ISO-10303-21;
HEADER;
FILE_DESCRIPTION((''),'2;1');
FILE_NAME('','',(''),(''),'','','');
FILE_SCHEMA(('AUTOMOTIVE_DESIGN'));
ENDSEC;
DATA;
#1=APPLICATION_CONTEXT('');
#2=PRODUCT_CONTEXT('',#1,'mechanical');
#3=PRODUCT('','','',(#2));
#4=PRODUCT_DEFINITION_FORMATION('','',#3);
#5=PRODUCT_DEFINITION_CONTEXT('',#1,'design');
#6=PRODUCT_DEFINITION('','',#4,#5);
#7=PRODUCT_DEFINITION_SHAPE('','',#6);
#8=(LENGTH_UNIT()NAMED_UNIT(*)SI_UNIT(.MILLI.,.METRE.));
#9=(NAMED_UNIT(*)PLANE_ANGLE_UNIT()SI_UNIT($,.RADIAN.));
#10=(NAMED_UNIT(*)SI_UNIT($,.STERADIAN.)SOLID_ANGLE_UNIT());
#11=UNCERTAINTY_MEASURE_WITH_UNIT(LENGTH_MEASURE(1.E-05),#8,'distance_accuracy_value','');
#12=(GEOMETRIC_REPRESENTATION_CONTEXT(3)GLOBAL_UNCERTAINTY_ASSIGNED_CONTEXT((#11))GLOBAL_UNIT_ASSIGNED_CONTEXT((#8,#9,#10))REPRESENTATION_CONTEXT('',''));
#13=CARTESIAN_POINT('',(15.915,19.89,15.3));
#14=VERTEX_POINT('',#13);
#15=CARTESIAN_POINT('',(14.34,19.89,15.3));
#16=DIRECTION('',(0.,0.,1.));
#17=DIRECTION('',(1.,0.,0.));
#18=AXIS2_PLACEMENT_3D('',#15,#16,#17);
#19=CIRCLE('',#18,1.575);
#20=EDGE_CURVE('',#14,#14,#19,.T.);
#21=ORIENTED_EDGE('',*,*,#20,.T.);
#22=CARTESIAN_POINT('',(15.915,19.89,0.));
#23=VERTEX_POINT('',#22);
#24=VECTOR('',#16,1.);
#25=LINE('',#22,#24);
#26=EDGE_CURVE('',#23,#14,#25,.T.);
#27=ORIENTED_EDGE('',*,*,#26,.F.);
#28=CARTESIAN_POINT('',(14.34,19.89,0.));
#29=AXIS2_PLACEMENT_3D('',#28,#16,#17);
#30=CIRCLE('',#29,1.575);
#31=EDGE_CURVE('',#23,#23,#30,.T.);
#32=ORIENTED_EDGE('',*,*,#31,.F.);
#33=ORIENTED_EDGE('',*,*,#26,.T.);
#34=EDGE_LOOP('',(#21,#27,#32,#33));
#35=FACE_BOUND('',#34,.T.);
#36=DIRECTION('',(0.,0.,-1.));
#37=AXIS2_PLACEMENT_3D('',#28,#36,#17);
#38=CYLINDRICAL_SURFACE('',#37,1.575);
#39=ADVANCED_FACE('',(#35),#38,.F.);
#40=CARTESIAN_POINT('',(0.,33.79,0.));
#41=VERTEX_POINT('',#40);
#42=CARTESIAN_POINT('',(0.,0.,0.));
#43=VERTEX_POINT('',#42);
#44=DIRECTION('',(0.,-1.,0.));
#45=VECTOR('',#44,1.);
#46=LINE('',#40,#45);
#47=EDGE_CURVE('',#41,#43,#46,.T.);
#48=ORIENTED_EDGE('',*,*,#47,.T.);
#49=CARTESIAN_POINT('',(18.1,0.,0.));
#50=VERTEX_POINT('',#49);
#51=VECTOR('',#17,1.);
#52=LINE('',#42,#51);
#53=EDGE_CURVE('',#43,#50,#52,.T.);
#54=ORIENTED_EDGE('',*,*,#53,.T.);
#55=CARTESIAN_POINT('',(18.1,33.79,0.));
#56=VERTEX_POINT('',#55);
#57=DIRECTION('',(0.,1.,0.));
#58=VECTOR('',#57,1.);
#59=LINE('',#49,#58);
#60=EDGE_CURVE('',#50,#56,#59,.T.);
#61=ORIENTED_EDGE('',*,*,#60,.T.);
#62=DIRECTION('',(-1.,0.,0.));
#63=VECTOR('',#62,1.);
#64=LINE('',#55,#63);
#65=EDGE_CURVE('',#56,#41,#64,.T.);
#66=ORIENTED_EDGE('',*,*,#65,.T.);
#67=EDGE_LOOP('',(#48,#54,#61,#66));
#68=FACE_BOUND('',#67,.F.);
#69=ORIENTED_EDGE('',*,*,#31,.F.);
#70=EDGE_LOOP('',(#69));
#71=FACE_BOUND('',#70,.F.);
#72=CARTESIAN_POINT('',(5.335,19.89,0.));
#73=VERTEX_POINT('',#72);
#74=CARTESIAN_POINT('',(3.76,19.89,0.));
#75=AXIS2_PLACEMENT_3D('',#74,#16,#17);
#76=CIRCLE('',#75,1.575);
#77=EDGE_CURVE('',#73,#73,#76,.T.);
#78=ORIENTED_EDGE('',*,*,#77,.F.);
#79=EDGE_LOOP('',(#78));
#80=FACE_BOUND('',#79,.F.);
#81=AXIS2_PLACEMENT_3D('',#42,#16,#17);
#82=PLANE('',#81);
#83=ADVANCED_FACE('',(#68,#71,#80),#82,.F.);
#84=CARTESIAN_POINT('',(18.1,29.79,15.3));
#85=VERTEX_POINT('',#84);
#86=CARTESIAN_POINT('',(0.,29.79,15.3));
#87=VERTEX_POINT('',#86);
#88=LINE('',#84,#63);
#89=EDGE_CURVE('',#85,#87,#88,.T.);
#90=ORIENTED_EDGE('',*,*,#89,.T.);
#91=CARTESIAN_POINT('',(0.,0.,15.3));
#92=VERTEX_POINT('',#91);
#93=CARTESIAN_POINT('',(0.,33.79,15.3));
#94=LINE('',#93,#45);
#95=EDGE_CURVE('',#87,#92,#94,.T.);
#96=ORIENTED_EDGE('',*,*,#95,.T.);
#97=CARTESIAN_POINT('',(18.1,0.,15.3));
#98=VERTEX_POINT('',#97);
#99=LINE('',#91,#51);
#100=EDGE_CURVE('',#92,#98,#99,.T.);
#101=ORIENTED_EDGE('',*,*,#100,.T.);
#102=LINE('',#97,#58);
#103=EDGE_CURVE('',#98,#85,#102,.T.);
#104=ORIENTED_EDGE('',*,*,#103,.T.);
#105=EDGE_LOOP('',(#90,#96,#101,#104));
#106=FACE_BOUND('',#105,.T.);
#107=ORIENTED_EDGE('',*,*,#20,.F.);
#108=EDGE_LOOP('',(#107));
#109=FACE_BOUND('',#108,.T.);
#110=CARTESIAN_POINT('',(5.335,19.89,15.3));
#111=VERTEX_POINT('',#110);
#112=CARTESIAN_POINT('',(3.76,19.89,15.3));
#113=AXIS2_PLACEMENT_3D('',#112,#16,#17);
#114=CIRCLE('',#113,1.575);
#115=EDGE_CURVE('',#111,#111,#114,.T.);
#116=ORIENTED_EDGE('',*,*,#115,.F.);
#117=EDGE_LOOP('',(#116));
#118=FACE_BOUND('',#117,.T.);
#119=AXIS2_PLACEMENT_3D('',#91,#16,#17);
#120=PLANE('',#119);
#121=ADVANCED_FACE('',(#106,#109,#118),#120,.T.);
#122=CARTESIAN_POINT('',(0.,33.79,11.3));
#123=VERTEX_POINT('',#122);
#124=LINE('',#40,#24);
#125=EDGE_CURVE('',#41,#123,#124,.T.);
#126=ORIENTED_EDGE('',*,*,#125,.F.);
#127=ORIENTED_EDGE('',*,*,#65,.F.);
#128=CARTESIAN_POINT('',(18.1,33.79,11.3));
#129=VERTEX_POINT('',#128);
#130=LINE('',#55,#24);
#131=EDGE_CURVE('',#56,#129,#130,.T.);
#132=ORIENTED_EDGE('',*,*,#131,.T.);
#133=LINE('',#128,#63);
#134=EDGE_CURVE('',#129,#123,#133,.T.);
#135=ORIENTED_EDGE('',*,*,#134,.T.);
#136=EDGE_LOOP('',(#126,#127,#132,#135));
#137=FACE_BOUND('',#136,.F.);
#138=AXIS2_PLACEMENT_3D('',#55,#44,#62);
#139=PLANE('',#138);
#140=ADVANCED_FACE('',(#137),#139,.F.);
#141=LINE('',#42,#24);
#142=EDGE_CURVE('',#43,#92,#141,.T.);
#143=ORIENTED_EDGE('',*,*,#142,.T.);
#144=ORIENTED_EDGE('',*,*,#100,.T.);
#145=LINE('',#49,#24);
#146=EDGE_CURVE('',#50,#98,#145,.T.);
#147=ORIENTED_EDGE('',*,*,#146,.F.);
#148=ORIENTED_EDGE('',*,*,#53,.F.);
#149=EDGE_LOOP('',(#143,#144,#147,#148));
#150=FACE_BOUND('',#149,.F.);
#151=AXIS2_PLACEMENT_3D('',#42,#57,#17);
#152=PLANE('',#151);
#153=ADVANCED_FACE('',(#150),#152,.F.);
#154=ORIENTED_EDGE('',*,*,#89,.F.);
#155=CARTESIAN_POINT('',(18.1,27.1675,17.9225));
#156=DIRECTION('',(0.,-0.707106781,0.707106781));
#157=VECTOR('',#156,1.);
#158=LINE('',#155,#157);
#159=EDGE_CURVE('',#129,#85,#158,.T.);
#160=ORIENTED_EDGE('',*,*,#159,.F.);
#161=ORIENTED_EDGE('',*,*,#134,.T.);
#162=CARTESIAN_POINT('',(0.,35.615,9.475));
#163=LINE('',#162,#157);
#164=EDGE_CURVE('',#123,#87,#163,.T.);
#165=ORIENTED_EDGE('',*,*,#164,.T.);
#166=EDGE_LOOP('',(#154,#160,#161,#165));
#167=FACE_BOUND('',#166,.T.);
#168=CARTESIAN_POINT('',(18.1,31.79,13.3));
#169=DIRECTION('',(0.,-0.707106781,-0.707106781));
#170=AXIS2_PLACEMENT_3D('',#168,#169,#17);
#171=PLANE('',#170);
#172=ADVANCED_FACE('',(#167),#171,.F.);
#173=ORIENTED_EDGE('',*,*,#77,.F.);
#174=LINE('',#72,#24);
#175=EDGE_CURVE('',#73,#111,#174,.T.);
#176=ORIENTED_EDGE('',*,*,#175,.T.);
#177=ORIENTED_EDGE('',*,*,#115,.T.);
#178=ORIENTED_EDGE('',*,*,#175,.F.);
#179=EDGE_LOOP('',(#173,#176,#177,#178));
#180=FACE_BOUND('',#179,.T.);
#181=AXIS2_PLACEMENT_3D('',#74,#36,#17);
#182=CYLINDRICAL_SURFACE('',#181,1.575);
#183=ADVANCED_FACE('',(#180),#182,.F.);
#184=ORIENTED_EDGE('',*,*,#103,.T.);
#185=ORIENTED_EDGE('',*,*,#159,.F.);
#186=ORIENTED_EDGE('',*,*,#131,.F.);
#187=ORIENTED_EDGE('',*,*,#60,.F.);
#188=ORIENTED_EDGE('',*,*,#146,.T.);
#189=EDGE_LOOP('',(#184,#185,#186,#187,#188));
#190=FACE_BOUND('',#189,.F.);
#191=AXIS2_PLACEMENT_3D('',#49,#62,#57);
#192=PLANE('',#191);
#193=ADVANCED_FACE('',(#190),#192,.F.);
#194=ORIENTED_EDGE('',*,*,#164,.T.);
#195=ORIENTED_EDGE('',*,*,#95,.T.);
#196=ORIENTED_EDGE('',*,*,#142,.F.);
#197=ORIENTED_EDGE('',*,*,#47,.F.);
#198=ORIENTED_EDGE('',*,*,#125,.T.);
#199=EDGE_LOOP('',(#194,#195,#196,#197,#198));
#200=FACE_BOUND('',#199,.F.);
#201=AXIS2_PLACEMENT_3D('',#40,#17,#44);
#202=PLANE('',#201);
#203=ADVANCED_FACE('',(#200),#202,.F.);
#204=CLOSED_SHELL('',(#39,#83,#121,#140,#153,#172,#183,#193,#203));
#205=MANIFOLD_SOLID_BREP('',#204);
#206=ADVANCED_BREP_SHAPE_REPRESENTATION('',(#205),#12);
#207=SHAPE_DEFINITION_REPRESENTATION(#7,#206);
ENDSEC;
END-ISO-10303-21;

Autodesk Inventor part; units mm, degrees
ref_plane "YZ Plane" through (0, 0, 0) normal (1, 0, 0) x (0, 1, 0)
ref_plane "XZ Plane" through (0, 0, 0) normal (0, 1, 0) x (-1, 0, 0)
ref_plane "XY Plane" through (0, 0, 0) normal (0, 0, 1) x (1, 0, 0)
sketch "Sketch1" plane through (0, 0, 0) normal (0, 0, 1) x (1, 0, 0)
  line L0 (0, 0) -> (18.1, 0)
  line L1 (18.1, 0) -> (18.1, 33.79)
  line L2 (18.1, 33.79) -> (0, 33.79)
  line L3 (0, 33.79) -> (0, 0)
  line L4 (0, 33.79) -> (0, 19.89) construction
  line L5 (0, 19.89) -> (18.1, 19.89) construction
  line L6 (9.05, 19.89) -> (14.34, 19.89) construction
  line L7 (14.34, 19.89) -> (3.76, 19.89) construction
  circle A0 centre (3.76, 19.89) radius 1.575
  circle A1 centre (14.34, 19.89) radius 1.575
  dimension "d0" = 18.1
  dimension "d1" = 33.79
  dimension "d2" = 13.9
  dimension "d3" = 5.29
  dimension "d4" = 10.58
  dimension "d5" = 3.15
  dimension "d6" = 3.15
extrude "Extrusion1" add sketch "Sketch1" along normal blind 15.3
chamfer "Chamfer1" distance 4 angle 45 1 edges at (9.05, 33.79, 15.3)
properties part number "eddy"
